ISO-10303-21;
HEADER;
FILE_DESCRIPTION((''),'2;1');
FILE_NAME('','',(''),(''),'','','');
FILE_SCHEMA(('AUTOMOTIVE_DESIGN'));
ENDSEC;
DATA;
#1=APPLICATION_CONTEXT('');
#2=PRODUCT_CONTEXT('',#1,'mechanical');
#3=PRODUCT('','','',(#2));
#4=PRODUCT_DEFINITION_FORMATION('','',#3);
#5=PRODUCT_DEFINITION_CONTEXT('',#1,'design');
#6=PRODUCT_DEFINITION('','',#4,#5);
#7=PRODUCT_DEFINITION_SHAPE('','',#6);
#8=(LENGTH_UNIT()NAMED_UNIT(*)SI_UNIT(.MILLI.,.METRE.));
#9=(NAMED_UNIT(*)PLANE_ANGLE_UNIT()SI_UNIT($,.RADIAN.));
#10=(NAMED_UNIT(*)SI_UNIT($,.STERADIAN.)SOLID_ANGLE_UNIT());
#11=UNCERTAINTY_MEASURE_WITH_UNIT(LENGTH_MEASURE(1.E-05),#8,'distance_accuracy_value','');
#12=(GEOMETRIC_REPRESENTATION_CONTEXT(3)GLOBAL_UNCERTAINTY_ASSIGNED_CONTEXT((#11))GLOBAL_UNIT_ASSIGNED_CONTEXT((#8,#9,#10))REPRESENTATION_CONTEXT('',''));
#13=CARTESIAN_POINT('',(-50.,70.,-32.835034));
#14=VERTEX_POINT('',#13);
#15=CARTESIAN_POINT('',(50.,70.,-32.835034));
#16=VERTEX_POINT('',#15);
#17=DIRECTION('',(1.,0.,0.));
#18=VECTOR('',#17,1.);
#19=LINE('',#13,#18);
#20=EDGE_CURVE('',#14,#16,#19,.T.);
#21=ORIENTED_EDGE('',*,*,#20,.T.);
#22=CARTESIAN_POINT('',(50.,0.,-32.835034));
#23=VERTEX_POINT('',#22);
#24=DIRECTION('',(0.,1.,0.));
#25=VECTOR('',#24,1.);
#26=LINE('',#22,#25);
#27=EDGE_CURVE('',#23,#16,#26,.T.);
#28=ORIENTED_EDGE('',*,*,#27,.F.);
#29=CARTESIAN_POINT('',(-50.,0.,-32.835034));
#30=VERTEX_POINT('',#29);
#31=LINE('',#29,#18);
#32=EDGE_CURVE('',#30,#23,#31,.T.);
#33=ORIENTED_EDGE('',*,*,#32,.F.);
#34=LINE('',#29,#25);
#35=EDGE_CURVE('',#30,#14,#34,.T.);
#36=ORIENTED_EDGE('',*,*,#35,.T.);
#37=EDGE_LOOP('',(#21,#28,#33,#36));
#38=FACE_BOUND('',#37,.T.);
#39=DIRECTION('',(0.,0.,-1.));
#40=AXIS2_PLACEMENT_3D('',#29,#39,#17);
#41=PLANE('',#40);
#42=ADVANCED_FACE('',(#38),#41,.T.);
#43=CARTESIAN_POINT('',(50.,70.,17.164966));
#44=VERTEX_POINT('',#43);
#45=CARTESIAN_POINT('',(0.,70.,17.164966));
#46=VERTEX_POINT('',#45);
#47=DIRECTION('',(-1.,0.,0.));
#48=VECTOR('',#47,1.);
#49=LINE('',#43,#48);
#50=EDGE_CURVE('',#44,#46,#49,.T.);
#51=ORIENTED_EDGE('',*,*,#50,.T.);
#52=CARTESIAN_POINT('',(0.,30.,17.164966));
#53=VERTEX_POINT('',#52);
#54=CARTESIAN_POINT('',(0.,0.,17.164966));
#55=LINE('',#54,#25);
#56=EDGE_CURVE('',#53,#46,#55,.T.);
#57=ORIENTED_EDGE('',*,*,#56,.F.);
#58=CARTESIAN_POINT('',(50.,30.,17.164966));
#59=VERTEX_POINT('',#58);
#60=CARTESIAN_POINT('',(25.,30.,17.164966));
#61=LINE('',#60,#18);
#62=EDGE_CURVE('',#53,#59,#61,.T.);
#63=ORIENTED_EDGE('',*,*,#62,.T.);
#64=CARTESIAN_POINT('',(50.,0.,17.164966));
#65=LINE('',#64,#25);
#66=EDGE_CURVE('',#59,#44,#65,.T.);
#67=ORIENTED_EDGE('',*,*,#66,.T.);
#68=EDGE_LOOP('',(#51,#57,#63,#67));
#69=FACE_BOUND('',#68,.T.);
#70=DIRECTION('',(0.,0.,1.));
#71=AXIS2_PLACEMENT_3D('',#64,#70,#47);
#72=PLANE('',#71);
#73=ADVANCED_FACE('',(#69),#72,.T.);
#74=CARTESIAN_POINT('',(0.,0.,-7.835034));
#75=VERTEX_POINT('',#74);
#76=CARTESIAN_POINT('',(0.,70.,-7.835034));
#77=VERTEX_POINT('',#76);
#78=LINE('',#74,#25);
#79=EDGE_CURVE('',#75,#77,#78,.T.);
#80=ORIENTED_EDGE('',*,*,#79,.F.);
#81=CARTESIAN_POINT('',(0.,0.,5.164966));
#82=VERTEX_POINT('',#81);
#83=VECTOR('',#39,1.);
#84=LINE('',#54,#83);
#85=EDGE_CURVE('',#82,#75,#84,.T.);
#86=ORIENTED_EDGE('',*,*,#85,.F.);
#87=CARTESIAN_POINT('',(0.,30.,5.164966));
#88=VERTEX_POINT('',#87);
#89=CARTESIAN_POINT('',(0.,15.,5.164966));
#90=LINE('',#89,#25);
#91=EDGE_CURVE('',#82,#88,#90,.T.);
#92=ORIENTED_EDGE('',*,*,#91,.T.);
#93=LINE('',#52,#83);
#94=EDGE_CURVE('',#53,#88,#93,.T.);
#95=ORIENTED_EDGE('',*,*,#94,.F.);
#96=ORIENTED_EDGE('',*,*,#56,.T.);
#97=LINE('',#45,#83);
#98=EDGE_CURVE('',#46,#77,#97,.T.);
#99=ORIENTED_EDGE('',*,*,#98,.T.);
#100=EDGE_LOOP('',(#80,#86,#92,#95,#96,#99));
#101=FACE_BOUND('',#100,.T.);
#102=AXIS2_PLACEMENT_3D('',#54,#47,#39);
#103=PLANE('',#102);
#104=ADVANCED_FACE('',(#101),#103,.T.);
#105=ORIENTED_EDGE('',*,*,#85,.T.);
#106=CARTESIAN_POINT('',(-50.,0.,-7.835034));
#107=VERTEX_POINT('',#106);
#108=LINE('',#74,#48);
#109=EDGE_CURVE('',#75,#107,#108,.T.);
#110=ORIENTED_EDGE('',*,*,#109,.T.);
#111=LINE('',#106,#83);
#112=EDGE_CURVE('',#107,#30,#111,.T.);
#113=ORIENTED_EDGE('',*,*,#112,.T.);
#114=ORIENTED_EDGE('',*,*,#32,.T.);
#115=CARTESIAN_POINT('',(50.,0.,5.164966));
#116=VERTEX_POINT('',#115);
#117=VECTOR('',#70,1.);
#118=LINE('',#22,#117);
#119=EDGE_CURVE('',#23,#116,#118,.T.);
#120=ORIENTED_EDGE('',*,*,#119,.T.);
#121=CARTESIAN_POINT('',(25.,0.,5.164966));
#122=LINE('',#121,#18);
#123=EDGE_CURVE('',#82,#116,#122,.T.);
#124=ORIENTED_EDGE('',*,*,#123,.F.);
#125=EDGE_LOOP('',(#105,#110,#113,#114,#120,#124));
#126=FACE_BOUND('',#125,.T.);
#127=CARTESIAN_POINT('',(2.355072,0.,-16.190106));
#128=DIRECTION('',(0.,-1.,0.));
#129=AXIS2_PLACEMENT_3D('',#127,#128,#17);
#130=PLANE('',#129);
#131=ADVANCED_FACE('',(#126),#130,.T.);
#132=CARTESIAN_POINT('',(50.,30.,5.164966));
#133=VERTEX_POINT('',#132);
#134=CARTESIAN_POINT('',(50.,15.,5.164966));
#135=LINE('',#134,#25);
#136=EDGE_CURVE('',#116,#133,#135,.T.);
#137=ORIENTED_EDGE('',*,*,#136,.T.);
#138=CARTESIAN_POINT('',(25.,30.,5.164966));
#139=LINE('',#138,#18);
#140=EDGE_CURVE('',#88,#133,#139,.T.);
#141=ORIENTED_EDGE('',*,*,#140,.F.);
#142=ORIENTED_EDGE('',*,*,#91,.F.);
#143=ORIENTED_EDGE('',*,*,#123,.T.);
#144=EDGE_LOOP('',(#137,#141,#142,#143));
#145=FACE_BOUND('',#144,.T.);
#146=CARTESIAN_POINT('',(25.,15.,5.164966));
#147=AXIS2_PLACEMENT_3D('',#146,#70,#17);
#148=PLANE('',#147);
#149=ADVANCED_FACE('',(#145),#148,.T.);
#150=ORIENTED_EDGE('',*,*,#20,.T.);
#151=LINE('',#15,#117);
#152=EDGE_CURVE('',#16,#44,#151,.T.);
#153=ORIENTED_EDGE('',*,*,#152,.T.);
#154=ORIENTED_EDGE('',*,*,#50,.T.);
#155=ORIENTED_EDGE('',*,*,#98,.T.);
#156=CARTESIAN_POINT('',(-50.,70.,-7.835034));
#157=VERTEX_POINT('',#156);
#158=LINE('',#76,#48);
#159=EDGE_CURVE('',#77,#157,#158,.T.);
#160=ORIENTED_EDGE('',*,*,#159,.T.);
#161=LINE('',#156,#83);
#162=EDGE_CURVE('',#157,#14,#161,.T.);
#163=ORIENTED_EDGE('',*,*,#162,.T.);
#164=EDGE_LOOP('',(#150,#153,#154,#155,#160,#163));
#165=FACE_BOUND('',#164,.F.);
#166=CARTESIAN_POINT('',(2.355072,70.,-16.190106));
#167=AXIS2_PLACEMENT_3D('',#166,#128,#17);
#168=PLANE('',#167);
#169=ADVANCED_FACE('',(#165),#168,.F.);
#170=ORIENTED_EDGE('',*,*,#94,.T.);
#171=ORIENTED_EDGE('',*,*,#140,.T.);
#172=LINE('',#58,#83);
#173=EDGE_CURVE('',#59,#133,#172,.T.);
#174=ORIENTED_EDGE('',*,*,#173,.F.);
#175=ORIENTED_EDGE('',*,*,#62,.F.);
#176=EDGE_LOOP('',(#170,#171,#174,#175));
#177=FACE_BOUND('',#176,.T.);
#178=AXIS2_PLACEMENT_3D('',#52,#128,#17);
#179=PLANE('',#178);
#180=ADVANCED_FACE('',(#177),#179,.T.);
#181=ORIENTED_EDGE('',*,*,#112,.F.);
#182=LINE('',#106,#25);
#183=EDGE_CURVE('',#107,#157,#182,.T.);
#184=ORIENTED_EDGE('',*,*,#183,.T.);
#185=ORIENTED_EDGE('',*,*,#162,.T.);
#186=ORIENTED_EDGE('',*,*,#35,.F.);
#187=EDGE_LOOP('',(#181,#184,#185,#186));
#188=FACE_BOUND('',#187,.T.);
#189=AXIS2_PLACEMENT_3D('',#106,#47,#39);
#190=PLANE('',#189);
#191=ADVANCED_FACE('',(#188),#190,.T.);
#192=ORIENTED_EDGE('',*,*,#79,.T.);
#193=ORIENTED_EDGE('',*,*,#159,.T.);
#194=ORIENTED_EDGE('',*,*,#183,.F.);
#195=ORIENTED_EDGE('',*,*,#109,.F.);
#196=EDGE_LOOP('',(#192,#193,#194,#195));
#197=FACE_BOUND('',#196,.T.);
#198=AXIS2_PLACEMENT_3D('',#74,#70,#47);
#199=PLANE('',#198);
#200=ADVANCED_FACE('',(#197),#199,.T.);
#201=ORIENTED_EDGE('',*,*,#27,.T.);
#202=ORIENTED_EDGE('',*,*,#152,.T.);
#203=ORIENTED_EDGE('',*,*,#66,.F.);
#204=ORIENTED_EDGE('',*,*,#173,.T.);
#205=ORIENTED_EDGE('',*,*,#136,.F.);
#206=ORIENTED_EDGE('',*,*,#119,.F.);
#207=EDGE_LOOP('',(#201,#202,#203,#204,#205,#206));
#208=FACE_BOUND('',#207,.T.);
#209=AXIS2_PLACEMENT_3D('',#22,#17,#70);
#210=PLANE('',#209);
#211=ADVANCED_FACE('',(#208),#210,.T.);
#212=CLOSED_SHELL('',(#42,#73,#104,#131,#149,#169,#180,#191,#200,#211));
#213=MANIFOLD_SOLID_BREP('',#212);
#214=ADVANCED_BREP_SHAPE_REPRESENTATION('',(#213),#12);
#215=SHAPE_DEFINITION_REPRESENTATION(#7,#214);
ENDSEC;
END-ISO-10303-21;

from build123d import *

# Parameters (mm, degrees)
F1_DEPTH = 70
F2_W     = 50
F2_H     = 30
F3_DEPTH = 12


with BuildPart() as f1:
    # F0 (on Front) → F1 (new body)
    with BuildSketch(Plane.XZ):
        Polygon((-50, -7.835034), (-50, -32.835034), (50, -32.835034), (50, 5.164966), (5.149159, 5.164966), (0, 5.164966), (0, -7.835034), align=None)
        Polygon((5.149159, 5.164966), (50, 5.164966), (50, 17.164966), (0, 17.164966), (0, 5.164966), align=None)
    extrude(amount=-F1_DEPTH)

    # F2 (on face) → F3 (cut)
    with BuildSketch(Plane.XY.offset(17.164966)):
        with Locations((25, 15)):
            Rectangle(F2_W, F2_H)
    extrude(amount=-F3_DEPTH, mode=Mode.SUBTRACT)


solid = f1.part
